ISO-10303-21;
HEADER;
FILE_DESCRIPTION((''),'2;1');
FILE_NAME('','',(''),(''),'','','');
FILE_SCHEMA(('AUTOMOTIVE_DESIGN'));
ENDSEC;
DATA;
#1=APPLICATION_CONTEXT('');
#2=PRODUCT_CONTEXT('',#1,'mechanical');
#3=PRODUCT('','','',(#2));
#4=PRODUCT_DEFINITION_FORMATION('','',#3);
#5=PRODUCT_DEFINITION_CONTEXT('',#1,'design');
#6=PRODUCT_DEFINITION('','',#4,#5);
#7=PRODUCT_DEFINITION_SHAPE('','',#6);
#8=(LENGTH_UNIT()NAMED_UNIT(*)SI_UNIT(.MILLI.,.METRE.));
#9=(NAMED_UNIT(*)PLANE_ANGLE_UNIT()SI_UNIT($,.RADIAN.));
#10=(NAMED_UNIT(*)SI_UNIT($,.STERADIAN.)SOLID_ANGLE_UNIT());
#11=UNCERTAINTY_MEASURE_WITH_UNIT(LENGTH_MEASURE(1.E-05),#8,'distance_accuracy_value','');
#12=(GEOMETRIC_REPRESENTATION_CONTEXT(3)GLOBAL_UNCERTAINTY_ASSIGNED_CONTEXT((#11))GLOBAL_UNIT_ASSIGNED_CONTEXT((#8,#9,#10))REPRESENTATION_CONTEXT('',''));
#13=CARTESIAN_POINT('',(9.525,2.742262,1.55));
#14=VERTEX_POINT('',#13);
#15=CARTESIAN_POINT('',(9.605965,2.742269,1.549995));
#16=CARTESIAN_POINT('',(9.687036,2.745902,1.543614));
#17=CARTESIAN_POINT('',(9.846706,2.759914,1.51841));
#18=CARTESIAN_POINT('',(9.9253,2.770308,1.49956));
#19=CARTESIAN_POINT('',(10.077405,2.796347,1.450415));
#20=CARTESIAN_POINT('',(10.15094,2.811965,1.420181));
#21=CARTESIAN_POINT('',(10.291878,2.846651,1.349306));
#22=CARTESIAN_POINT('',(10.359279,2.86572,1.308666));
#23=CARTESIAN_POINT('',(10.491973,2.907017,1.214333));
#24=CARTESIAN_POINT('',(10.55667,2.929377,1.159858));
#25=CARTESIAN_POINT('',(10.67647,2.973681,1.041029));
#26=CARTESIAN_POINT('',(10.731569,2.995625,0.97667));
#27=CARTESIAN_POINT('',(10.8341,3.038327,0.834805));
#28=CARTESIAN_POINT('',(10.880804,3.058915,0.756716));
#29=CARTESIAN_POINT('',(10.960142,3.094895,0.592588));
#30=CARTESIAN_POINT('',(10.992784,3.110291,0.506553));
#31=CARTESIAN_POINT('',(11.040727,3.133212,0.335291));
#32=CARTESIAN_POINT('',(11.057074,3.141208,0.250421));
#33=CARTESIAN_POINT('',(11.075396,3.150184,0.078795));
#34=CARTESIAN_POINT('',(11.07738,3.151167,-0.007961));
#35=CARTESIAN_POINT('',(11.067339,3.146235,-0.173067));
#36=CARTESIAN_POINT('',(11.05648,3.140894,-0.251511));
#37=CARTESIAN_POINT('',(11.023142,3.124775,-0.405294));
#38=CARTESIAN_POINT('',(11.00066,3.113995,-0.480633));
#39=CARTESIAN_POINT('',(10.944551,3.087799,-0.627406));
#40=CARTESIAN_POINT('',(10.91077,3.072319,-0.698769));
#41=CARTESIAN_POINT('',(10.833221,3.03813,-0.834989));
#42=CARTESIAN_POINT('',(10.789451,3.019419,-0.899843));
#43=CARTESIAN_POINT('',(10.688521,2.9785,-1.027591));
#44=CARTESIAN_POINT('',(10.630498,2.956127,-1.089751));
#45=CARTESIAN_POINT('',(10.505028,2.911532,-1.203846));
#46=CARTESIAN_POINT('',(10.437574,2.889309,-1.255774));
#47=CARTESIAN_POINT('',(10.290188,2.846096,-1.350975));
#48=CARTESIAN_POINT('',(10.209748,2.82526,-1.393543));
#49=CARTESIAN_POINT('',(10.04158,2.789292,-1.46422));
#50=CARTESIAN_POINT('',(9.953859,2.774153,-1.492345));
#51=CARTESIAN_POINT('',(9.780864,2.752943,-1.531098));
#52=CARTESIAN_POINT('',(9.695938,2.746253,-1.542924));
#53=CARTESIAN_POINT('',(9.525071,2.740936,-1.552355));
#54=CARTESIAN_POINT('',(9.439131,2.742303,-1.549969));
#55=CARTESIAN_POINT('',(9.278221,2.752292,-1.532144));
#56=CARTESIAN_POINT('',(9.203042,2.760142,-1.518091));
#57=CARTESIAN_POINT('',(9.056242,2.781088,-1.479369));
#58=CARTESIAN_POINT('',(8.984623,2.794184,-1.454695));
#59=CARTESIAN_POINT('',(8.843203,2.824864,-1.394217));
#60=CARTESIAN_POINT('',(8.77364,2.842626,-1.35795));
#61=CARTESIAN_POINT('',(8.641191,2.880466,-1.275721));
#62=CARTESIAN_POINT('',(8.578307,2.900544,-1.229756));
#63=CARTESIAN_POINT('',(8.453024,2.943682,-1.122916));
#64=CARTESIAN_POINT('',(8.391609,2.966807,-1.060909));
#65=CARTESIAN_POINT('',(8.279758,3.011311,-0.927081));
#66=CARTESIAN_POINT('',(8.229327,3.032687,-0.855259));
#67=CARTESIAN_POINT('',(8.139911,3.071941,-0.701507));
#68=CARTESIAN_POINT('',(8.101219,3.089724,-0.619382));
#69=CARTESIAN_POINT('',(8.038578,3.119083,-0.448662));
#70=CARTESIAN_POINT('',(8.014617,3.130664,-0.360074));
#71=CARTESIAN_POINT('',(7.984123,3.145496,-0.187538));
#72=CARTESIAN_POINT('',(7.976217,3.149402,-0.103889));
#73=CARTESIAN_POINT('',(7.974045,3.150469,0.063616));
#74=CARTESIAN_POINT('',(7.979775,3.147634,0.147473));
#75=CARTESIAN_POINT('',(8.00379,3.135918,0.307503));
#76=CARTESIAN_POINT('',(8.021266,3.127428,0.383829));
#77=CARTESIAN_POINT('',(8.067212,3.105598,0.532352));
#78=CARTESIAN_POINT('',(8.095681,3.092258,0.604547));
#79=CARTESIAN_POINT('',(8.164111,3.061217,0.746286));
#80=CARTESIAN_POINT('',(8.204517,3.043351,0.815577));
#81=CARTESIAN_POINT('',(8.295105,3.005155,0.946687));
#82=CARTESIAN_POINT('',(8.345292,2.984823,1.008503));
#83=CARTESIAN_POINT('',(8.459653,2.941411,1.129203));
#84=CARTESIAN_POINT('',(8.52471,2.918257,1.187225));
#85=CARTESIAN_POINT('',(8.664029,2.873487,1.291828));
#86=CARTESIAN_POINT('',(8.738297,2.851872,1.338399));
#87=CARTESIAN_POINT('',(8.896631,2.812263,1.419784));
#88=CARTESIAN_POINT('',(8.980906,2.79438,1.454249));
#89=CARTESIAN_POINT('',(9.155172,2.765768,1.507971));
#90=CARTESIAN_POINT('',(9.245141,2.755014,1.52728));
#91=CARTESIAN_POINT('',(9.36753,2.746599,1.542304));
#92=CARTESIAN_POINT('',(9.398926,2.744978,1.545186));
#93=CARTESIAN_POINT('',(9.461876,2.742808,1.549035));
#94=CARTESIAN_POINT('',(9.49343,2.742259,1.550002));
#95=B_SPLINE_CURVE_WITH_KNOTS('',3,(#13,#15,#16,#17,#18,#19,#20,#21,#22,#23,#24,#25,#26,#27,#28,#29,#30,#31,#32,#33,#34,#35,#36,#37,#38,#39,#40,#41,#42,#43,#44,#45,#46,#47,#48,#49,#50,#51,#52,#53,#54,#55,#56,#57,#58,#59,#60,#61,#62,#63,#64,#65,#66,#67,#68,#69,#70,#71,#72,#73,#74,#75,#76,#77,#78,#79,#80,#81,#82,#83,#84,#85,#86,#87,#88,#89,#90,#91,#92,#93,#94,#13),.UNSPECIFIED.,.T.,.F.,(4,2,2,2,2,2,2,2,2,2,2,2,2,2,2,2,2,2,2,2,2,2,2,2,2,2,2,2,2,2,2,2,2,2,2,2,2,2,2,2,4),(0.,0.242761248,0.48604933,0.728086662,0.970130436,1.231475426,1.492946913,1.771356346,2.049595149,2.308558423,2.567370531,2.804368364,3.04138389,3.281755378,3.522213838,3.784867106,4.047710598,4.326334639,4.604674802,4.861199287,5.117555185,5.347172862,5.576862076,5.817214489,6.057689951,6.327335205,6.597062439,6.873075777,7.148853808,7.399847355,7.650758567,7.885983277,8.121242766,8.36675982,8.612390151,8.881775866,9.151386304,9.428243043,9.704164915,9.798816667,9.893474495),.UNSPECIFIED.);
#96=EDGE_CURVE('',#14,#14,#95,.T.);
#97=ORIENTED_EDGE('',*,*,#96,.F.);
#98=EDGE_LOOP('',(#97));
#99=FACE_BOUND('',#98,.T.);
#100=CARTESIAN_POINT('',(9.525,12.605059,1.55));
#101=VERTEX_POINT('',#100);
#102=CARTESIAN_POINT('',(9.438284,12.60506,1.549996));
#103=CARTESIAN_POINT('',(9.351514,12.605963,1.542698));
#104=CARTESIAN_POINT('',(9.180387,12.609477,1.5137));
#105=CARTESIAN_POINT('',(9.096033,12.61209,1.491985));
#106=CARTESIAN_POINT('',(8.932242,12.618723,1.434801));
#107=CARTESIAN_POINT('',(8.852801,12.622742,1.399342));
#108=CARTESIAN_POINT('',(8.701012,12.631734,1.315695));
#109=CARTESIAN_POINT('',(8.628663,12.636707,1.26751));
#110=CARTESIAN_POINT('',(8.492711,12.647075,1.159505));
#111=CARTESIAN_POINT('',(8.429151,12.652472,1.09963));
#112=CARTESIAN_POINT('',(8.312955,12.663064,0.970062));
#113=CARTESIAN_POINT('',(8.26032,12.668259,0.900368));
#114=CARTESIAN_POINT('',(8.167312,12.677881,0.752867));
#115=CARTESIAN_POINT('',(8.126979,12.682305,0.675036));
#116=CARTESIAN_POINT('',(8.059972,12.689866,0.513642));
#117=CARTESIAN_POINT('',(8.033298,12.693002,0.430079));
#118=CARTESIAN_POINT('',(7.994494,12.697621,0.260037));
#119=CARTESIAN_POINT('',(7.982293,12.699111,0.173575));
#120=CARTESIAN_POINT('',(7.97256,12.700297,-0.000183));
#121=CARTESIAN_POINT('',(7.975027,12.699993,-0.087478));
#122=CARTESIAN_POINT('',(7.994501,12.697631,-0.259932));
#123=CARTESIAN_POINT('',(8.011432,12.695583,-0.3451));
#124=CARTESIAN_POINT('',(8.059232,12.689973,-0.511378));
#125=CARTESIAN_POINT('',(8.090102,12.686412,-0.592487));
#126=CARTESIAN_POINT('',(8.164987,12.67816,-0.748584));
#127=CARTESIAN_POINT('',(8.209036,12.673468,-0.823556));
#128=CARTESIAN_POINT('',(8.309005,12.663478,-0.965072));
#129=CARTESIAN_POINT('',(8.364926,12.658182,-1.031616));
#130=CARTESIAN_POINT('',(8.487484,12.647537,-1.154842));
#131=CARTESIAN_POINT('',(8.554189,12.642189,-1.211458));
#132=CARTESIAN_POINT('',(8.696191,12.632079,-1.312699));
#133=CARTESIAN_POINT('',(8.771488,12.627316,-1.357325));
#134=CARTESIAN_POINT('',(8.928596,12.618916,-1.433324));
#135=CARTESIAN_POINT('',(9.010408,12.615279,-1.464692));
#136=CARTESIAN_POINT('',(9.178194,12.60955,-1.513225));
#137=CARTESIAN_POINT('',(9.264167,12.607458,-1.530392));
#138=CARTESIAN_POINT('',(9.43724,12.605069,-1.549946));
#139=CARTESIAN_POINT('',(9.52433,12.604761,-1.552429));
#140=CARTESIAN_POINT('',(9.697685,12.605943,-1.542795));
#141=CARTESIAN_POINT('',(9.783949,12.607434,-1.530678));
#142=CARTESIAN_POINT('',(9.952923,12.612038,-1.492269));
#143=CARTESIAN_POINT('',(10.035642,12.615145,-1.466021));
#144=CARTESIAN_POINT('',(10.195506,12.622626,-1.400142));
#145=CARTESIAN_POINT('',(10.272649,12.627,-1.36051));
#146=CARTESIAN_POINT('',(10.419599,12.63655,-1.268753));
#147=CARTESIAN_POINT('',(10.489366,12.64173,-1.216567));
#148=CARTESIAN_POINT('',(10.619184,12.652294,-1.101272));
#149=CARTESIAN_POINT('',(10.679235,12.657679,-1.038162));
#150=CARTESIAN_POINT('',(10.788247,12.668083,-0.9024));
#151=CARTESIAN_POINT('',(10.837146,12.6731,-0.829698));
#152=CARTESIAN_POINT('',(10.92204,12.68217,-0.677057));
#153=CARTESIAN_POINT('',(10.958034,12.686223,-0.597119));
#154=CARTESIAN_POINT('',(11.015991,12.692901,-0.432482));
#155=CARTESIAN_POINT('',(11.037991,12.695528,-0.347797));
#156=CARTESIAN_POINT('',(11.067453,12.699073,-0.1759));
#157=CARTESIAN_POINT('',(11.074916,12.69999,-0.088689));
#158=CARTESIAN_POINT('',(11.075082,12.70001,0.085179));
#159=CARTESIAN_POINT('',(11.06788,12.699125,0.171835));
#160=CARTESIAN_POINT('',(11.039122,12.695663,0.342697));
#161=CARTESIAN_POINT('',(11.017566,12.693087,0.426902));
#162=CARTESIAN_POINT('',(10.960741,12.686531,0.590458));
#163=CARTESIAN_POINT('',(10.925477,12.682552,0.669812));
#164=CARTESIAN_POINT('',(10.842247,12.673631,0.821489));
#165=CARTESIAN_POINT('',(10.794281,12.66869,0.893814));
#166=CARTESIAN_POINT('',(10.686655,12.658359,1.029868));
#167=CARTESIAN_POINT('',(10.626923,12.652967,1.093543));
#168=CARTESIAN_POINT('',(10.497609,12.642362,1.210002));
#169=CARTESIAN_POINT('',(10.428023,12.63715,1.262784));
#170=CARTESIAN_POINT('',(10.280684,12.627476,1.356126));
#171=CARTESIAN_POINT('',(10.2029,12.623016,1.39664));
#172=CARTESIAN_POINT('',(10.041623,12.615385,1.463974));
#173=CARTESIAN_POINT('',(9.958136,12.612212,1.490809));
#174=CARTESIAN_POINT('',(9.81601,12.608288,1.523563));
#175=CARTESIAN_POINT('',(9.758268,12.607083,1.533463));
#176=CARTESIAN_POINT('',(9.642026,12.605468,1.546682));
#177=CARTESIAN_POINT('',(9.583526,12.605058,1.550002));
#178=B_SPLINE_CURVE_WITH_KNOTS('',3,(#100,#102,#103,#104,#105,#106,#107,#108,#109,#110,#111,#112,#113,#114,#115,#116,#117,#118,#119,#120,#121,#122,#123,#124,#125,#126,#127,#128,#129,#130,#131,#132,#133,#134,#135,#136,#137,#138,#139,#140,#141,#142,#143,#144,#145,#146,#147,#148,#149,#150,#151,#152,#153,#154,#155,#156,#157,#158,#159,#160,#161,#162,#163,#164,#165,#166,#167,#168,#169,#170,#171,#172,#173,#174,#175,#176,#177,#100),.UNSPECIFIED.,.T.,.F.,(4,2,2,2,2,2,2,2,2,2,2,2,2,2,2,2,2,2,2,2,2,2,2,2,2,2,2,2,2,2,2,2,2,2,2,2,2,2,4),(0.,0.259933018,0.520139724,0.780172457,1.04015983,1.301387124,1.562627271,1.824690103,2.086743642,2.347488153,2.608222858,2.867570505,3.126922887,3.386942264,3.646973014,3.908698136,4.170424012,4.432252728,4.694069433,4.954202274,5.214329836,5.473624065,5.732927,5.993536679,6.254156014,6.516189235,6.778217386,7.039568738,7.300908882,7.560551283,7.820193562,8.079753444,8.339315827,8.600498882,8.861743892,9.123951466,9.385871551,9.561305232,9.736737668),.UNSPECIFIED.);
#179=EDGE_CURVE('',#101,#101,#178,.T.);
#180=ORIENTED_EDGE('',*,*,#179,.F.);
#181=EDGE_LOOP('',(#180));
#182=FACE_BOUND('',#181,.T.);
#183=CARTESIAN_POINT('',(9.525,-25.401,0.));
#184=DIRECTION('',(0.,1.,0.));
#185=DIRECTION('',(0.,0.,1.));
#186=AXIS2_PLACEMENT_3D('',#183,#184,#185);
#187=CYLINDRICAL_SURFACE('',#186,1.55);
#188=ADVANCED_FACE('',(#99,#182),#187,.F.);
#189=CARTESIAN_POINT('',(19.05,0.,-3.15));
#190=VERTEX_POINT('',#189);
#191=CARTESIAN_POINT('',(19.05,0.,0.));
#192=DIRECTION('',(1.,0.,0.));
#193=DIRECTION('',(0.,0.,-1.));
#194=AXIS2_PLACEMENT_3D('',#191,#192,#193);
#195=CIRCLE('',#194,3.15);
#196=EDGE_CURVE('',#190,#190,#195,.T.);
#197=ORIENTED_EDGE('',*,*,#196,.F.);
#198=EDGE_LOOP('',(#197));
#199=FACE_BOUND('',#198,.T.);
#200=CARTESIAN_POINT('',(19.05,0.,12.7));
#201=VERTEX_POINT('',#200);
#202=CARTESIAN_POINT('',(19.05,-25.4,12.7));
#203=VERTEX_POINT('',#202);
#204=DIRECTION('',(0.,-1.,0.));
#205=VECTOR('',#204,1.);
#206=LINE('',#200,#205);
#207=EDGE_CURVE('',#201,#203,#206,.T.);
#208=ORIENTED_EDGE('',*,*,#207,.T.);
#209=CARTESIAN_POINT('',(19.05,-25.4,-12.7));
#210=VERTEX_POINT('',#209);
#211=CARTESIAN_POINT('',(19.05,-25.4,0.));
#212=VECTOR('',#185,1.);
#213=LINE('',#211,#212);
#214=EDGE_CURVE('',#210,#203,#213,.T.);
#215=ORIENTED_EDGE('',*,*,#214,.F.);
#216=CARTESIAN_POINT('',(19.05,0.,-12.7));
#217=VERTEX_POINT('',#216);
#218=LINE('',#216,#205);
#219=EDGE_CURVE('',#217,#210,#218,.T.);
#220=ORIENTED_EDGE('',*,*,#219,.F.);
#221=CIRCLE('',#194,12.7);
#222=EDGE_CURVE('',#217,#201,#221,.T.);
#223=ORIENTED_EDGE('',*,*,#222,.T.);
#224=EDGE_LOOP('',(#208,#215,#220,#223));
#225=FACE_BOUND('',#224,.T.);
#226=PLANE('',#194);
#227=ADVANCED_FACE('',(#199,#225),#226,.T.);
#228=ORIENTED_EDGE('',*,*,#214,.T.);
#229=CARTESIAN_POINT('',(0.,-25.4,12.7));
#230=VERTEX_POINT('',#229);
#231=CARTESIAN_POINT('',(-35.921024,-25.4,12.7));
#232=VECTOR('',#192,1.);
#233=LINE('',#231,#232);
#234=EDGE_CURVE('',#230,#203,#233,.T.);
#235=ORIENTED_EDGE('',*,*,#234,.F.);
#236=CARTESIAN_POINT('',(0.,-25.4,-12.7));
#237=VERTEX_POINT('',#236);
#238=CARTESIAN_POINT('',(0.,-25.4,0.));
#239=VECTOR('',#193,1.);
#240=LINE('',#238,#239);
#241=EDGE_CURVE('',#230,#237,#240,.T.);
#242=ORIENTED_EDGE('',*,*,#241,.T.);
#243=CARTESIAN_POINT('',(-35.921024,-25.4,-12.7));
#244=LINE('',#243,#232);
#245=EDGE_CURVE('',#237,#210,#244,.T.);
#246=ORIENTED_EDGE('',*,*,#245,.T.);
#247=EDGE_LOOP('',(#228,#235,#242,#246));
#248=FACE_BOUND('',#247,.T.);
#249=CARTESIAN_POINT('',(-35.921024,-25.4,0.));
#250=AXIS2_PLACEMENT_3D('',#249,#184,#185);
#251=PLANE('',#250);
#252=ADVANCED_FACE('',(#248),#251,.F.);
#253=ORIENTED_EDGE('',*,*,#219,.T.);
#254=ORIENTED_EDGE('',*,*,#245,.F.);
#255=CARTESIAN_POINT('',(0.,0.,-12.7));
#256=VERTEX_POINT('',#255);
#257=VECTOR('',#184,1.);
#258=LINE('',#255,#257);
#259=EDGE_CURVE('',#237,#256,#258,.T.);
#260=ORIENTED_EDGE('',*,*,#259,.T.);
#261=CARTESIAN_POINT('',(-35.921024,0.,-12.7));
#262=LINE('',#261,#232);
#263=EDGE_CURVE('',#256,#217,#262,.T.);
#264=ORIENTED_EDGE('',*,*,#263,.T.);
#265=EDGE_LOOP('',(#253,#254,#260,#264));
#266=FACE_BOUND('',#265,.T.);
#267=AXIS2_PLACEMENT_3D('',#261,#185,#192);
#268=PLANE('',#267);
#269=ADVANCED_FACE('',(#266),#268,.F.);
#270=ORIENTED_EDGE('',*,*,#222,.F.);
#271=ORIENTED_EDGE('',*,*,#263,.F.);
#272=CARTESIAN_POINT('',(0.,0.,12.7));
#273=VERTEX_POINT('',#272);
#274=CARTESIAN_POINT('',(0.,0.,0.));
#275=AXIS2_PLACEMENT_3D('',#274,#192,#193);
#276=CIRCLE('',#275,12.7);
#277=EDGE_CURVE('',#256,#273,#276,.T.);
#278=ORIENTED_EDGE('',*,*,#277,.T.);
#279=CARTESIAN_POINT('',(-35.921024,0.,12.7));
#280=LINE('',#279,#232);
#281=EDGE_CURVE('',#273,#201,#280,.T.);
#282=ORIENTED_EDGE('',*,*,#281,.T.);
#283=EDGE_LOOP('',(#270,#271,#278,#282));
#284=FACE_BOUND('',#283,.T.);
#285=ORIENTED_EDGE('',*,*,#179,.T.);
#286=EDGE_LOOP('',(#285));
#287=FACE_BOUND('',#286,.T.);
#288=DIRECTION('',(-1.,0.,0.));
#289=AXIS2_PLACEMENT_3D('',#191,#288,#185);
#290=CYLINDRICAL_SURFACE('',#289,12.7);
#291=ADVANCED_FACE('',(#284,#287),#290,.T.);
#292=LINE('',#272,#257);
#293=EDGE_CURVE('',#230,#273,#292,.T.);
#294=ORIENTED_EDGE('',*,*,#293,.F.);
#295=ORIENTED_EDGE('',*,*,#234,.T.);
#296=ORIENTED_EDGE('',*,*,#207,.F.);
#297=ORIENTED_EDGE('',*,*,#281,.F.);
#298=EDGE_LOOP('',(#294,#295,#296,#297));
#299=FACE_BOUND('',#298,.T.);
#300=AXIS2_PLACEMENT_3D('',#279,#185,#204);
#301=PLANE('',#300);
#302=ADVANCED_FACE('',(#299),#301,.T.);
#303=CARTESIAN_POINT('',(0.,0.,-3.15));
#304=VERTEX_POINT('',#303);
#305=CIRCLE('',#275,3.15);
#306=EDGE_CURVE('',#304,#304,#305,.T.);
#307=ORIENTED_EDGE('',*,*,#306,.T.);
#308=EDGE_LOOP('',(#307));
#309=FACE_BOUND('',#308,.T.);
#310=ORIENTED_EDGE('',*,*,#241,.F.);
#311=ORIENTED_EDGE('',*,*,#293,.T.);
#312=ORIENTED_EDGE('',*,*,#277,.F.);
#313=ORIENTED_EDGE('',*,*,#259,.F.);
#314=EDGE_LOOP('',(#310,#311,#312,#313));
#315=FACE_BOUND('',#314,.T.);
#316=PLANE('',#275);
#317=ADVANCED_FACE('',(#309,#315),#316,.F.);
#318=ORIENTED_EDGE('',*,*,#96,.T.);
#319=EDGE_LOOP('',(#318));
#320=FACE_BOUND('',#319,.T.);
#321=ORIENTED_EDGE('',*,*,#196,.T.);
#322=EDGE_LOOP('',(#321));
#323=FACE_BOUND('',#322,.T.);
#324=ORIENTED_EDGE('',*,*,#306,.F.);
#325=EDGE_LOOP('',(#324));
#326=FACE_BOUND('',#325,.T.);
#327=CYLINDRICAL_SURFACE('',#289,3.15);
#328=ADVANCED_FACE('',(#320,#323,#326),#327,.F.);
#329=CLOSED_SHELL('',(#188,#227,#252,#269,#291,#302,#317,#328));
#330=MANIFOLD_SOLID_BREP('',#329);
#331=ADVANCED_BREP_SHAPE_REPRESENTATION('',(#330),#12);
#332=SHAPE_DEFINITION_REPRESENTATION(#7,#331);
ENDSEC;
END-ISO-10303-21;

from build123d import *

# Parameters (mm, degrees)
SKETCH1_R               = 12.7
SKETCH1_R_2             = 3.15
BOSS_EXTRUDE1_DEPTH     = 19.05
BOSS_EXTRUDE2_START     = -19.05
BOSS_EXTRUDE2_DEPTH     = 19.05
CUT_EXTRUDE1_REACH      = 46.45
CUT_EXTRUDE1_END_RADIUS = 3.15
SKETCH3_R               = 1.55


with BuildPart() as part:
    # Sketch1 → Boss-Extrude1 (new body)
    with BuildSketch(Plane(origin=(0, 0, 0), x_dir=(0, 0, -1), z_dir=(1, 0, 0))):
        with Locations(Location((0, 0, 0), (0, 0, 180))):
            Circle(SKETCH1_R)
        with Locations(Location((0, 0, 0), (0, 0, 180))):
            Circle(SKETCH1_R_2, mode=Mode.SUBTRACT)
    extrude(amount=BOSS_EXTRUDE1_DEPTH)

    # Sketch2 → Boss-Extrude2 (add)
    with BuildSketch(Plane(origin=(19.05, 0, 0), x_dir=(0, 0, -1), z_dir=(1, 0, 0)).offset(BOSS_EXTRUDE2_START)):
        with BuildLine():
            Line((12.7, -25.4), (12.7, 0))
            ThreePointArc((12.7, 0), (0, -12.7), (-12.7, 0))
            Line((-12.7, 0), (-12.7, -25.4))
            Line((-12.7, -25.4), (12.7, -25.4))
        make_face()
    extrude(amount=BOSS_EXTRUDE2_DEPTH)

    # Cut-Extrude1: up to this cylinder (the profile starts outside it)
    cut_extrude1_end = Plane(origin=(9.525, 0, 0), z_dir=(-1, 0, 0)) * Cylinder(CUT_EXTRUDE1_END_RADIUS, 100.2, mode=Mode.PRIVATE)
    # Sketch3 → Cut-Extrude1 (cut, up to the surface)
    with BuildSketch(Plane(origin=(0, 12.7, 0), x_dir=(1, 0, 0), z_dir=(0, 1, 0)), mode=Mode.PRIVATE) as cut_extrude1_sk1:
        with Locations(Location((9.525, 0, 0), (0, 0, 270))):
            Circle(SKETCH3_R)
    cut_extrude1_tool1 = extrude(cut_extrude1_sk1.sketch, amount=-CUT_EXTRUDE1_REACH, mode=Mode.PRIVATE) - cut_extrude1_end
    add(cut_extrude1_tool1.solids().sort_by_distance((9.525, 12.7, 0))[0], mode=Mode.SUBTRACT)


solid = part.part
